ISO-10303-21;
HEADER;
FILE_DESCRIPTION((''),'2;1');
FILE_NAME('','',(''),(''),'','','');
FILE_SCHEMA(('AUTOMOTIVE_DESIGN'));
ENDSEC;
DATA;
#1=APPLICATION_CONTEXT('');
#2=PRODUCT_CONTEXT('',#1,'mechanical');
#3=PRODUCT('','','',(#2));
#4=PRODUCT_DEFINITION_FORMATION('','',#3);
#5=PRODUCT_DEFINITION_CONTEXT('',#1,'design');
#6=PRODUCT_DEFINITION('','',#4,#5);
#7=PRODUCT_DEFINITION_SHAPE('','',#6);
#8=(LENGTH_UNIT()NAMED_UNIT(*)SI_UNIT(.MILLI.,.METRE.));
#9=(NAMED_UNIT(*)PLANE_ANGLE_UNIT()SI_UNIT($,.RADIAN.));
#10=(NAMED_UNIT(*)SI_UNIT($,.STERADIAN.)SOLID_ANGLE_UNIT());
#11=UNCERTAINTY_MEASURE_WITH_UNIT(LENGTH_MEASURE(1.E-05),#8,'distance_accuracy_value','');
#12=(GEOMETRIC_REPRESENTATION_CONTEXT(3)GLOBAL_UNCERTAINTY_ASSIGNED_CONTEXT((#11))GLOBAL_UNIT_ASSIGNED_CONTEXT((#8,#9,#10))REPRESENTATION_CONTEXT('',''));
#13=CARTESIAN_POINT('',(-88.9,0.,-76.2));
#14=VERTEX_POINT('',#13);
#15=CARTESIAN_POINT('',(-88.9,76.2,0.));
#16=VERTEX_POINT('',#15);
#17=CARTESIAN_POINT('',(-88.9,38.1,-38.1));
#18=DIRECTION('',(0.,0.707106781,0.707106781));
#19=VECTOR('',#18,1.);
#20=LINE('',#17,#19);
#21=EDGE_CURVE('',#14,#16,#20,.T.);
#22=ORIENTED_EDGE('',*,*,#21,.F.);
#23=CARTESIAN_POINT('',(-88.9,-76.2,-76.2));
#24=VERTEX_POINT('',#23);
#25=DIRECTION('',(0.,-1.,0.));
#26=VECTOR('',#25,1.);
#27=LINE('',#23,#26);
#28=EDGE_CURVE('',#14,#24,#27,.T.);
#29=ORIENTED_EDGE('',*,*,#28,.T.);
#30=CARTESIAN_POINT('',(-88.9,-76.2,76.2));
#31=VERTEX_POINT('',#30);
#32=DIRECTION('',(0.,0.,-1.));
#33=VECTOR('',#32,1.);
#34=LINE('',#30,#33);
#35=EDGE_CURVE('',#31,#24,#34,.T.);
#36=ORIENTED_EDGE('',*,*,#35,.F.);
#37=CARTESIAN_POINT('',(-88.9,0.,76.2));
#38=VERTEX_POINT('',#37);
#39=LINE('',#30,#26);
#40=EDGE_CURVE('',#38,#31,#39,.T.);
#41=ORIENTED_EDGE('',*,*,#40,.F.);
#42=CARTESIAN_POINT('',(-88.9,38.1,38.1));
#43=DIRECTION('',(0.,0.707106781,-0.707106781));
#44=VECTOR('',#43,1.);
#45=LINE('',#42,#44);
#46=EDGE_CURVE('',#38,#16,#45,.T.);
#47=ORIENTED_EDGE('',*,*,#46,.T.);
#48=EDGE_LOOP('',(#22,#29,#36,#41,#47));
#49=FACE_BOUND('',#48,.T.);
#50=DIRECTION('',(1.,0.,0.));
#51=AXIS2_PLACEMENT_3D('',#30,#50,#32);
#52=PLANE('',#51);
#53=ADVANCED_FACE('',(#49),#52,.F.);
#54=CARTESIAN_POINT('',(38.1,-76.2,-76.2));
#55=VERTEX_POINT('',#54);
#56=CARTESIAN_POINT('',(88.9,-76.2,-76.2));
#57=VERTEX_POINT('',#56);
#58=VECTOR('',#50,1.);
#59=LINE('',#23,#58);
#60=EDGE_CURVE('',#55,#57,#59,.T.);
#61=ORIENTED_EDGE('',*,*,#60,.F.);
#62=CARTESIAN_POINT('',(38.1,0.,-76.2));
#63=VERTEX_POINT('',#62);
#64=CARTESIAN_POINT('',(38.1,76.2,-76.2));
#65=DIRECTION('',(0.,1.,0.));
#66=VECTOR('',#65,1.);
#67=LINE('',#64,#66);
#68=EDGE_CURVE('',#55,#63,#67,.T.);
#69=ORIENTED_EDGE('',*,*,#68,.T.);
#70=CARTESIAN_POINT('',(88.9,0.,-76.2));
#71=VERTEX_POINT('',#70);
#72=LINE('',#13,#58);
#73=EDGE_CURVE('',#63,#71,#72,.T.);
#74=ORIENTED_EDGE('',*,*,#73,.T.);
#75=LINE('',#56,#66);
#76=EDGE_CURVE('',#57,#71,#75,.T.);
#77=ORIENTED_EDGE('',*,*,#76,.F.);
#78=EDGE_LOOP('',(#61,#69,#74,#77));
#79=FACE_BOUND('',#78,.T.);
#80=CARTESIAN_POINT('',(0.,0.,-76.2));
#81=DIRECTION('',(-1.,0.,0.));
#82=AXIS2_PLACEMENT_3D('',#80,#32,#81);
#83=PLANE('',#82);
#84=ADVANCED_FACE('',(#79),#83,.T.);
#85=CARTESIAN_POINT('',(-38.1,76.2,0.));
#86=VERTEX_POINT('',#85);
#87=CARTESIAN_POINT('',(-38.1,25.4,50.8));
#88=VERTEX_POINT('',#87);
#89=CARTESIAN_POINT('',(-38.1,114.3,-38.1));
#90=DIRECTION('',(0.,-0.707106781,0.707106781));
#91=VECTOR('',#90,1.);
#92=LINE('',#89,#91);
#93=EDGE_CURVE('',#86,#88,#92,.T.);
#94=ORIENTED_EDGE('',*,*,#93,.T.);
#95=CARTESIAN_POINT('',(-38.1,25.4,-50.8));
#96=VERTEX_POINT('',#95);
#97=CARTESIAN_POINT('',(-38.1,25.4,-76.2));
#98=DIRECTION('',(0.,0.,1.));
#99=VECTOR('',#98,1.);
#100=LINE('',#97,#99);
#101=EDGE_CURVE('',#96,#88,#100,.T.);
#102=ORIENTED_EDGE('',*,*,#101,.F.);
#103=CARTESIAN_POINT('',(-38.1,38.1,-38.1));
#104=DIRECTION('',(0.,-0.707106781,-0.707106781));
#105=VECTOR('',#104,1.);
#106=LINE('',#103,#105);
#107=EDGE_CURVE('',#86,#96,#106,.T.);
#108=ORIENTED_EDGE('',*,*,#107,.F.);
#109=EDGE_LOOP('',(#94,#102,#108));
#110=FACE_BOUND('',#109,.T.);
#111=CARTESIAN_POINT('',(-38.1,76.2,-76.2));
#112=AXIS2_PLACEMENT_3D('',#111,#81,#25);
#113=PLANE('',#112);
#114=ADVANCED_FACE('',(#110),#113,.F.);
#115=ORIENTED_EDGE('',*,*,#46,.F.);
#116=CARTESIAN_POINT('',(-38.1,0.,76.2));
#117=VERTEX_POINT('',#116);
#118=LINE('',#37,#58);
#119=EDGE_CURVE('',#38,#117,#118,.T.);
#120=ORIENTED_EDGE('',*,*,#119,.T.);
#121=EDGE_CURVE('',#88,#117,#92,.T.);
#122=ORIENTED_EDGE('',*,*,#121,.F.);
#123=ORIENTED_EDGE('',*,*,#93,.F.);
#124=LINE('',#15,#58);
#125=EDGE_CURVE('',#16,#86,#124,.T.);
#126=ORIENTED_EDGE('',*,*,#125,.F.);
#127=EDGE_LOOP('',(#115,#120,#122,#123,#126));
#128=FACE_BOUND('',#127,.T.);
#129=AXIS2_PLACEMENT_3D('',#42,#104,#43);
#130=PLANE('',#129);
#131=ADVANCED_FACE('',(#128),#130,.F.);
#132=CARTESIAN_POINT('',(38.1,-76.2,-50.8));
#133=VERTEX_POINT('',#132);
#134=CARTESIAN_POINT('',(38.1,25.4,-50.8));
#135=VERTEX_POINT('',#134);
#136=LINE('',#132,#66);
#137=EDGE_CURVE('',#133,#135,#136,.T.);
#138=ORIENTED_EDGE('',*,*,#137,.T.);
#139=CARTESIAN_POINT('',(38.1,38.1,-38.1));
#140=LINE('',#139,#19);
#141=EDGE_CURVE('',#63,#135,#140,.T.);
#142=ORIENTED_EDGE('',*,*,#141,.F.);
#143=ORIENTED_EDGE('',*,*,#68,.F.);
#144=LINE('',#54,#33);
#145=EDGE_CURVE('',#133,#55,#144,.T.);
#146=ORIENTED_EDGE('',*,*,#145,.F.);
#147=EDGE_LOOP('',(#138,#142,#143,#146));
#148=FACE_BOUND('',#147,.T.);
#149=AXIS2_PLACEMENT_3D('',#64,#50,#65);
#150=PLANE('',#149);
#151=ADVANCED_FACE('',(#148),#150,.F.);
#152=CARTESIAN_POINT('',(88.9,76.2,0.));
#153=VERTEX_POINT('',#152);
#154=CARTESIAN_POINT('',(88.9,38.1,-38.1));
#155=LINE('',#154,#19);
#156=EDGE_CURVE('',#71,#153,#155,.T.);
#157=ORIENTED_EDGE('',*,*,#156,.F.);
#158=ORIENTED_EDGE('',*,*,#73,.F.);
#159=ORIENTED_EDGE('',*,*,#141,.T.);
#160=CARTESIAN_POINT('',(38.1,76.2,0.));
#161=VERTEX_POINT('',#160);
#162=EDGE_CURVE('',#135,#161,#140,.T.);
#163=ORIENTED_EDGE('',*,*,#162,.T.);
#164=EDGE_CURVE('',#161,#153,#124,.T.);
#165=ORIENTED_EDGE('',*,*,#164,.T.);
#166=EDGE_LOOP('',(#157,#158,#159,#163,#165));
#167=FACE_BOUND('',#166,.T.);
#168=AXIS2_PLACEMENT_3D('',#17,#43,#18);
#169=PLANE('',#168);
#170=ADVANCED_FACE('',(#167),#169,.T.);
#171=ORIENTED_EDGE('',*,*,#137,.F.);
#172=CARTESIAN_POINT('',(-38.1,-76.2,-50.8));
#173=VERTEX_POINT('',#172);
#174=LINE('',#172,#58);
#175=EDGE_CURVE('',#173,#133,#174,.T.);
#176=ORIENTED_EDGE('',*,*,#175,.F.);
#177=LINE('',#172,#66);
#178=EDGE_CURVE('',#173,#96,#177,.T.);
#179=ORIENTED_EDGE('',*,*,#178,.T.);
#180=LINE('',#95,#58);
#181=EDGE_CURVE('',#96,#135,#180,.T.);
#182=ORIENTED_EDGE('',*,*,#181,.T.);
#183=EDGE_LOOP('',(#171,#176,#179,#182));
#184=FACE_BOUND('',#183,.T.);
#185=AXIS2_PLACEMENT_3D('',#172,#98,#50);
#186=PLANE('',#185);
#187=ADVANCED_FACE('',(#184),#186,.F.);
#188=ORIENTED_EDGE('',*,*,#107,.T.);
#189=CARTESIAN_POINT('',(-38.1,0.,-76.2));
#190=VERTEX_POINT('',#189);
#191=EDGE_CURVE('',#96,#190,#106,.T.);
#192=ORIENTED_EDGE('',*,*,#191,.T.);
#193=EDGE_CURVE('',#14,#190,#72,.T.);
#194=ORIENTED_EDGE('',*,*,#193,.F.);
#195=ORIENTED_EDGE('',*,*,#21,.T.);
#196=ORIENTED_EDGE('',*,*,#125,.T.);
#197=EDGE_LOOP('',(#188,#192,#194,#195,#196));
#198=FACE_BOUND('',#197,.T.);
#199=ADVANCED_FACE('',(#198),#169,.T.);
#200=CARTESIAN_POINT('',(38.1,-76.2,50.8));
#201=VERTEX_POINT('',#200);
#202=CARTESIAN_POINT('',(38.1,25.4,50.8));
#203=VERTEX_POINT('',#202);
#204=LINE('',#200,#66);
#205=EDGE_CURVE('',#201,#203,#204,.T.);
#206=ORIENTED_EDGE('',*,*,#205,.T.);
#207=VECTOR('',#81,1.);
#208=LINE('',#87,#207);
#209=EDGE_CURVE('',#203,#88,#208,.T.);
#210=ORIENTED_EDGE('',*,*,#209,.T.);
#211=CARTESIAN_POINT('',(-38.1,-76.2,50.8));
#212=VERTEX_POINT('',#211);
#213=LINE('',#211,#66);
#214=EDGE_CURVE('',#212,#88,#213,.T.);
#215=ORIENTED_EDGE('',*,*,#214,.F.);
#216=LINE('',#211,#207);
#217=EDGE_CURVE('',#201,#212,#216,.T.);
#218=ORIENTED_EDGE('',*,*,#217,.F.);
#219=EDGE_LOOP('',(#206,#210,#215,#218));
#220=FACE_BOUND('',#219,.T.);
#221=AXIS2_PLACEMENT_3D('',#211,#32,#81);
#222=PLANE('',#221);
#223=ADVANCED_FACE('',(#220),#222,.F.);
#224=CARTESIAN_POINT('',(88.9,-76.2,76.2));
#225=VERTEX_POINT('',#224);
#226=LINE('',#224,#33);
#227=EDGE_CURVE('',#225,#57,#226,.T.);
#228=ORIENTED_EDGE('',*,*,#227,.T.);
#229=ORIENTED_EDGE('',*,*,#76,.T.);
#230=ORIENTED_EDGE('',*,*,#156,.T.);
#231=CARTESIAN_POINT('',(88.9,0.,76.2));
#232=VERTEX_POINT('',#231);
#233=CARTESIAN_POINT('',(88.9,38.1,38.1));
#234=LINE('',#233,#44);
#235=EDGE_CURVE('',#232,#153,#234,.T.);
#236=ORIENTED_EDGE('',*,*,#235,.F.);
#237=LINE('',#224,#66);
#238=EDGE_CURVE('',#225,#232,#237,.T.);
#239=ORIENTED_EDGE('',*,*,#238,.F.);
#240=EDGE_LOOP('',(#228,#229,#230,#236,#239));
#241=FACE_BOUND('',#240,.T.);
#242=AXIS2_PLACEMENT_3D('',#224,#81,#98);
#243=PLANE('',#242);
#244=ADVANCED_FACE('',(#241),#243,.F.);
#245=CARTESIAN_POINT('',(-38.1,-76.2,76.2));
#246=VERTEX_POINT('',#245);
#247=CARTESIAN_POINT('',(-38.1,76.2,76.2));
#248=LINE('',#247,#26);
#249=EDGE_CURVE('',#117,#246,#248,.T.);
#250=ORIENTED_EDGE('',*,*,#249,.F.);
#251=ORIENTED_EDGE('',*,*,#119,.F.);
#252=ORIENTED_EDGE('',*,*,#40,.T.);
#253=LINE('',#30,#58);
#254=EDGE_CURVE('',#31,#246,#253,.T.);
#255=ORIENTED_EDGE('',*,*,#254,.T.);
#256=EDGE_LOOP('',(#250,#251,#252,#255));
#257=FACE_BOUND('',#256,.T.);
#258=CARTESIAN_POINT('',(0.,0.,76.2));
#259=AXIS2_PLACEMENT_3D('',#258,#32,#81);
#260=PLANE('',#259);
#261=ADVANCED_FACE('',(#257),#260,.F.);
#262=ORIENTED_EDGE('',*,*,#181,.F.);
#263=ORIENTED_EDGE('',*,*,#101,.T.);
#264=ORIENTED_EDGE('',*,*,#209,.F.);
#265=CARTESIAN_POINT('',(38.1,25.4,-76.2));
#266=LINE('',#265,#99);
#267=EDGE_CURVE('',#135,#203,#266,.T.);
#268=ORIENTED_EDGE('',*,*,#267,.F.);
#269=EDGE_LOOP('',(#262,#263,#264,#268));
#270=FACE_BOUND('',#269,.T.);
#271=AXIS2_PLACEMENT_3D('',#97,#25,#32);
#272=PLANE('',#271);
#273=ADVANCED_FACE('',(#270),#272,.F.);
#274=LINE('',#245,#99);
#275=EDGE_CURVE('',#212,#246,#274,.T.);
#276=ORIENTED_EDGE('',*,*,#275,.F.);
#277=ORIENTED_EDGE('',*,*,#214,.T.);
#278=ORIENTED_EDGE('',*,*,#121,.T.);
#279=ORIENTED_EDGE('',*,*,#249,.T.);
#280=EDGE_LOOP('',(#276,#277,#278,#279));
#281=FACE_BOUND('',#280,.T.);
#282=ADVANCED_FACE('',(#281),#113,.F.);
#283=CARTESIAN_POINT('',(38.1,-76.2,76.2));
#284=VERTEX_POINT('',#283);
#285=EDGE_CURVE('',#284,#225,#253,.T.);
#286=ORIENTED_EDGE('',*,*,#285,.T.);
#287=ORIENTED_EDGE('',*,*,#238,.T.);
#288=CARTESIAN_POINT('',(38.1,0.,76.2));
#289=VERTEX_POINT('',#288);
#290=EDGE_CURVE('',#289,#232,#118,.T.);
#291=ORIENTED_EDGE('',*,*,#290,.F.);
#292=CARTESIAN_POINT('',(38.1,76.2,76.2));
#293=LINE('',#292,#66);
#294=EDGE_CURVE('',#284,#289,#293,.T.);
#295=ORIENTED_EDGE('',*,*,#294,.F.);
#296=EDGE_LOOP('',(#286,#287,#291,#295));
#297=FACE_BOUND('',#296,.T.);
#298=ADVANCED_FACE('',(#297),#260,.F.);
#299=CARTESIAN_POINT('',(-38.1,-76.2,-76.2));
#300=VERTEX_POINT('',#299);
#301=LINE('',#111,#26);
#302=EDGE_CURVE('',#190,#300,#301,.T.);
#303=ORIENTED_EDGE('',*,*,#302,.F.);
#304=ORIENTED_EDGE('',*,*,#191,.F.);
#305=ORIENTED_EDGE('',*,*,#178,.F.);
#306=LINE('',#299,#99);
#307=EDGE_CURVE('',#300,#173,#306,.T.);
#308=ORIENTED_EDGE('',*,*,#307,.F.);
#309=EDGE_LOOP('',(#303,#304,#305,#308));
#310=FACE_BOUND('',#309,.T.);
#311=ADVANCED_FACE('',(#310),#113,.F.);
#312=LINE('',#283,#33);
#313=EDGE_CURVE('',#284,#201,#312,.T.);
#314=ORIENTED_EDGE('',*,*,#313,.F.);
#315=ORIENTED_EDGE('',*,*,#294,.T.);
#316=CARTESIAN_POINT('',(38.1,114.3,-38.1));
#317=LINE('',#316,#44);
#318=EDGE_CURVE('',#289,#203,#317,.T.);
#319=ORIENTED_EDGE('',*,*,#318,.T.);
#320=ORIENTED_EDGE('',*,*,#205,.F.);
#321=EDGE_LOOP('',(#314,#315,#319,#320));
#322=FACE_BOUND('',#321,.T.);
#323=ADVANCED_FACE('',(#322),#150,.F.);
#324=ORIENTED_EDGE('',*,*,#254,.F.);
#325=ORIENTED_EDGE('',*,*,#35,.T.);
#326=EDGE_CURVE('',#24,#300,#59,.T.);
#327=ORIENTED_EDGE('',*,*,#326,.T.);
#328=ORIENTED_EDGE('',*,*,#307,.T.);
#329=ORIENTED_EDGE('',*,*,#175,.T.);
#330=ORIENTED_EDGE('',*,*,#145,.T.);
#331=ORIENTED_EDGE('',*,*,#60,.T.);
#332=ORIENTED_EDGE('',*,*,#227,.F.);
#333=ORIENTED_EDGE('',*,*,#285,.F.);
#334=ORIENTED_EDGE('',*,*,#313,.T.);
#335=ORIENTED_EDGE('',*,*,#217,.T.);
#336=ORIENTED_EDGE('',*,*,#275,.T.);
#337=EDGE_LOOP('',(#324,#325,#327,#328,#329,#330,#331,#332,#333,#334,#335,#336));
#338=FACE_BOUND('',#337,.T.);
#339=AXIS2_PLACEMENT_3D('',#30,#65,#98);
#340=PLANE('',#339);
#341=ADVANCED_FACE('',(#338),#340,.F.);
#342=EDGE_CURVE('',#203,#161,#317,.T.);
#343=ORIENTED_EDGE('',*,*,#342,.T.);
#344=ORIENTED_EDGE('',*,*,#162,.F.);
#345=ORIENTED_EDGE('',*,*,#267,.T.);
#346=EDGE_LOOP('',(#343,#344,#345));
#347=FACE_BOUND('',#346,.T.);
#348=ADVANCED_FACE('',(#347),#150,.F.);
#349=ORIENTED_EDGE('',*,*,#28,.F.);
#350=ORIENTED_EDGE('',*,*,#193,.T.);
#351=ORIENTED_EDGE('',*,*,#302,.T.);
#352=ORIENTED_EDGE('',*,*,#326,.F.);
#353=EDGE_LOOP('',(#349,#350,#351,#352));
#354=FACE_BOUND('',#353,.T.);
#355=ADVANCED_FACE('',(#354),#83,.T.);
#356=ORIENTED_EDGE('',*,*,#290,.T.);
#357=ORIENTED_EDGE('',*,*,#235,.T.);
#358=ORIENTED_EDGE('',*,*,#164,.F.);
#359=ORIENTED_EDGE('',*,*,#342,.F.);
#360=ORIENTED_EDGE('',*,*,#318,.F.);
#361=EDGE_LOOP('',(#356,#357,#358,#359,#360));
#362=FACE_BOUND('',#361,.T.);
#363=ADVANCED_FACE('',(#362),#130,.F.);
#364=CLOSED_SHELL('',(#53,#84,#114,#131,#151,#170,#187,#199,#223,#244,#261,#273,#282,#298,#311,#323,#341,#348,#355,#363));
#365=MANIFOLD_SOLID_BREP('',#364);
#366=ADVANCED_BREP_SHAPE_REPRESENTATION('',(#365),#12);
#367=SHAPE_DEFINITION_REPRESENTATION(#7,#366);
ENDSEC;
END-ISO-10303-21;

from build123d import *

# Parameters (mm, degrees)
SKETCH2_W           = 177.8
SKETCH2_H           = 152.4
BOSS_EXTRUDE1_DEPTH = 76.2
SKETCH10_W          = 76.2
SKETCH10_H          = 50.8
CUT_EXTRUDE2_DEPTH  = 193.18587357
SKETCH12_W          = 76.2
SKETCH12_H          = 25.4
CUT_EXTRUDE3_DEPTH  = 156.02325632
CUT_EXTRUDE4_DEPTH  = 208.907960406


with BuildPart() as part:
    # Sketch2 → Boss-Extrude1 (new, symmetric)
    with BuildSketch(Plane.XY):
        Rectangle(SKETCH2_W, SKETCH2_H)
    extrude(amount=BOSS_EXTRUDE1_DEPTH, both=True)

    # Sketch10 → Cut-Extrude2 (cut, through all)
    with BuildSketch(Plane.XY.offset(76.2)):
        with Locations((0, 50.8)):
            Rectangle(SKETCH10_W, SKETCH10_H)
    extrude(amount=-CUT_EXTRUDE2_DEPTH, mode=Mode.SUBTRACT)

    # Sketch12 → Cut-Extrude3 (cut, through all)
    with BuildSketch(Plane(origin=(0, 25.4, 0), x_dir=(1, 0, 0), z_dir=(0, 1, 0))):
        with Locations((0, -63.5)):
            Rectangle(SKETCH12_W, SKETCH12_H)
        with Locations((0, 63.5)):
            Rectangle(SKETCH12_W, SKETCH12_H)
    extrude(amount=-CUT_EXTRUDE3_DEPTH, mode=Mode.SUBTRACT)

    # Sketch13 → Cut-Extrude4 (cut, through all)
    with BuildSketch(Plane(origin=(88.9, 0, 0), x_dir=(0, 0, -1), z_dir=(1, 0, 0))):
        Polygon((76.2, 76.2), (0, 76.2), (76.2, 0), align=None)
        Polygon((-76.2, 76.2), (-76.2, 0), (0, 76.2), align=None)
    extrude(amount=-CUT_EXTRUDE4_DEPTH, mode=Mode.SUBTRACT)


solid = part.part
